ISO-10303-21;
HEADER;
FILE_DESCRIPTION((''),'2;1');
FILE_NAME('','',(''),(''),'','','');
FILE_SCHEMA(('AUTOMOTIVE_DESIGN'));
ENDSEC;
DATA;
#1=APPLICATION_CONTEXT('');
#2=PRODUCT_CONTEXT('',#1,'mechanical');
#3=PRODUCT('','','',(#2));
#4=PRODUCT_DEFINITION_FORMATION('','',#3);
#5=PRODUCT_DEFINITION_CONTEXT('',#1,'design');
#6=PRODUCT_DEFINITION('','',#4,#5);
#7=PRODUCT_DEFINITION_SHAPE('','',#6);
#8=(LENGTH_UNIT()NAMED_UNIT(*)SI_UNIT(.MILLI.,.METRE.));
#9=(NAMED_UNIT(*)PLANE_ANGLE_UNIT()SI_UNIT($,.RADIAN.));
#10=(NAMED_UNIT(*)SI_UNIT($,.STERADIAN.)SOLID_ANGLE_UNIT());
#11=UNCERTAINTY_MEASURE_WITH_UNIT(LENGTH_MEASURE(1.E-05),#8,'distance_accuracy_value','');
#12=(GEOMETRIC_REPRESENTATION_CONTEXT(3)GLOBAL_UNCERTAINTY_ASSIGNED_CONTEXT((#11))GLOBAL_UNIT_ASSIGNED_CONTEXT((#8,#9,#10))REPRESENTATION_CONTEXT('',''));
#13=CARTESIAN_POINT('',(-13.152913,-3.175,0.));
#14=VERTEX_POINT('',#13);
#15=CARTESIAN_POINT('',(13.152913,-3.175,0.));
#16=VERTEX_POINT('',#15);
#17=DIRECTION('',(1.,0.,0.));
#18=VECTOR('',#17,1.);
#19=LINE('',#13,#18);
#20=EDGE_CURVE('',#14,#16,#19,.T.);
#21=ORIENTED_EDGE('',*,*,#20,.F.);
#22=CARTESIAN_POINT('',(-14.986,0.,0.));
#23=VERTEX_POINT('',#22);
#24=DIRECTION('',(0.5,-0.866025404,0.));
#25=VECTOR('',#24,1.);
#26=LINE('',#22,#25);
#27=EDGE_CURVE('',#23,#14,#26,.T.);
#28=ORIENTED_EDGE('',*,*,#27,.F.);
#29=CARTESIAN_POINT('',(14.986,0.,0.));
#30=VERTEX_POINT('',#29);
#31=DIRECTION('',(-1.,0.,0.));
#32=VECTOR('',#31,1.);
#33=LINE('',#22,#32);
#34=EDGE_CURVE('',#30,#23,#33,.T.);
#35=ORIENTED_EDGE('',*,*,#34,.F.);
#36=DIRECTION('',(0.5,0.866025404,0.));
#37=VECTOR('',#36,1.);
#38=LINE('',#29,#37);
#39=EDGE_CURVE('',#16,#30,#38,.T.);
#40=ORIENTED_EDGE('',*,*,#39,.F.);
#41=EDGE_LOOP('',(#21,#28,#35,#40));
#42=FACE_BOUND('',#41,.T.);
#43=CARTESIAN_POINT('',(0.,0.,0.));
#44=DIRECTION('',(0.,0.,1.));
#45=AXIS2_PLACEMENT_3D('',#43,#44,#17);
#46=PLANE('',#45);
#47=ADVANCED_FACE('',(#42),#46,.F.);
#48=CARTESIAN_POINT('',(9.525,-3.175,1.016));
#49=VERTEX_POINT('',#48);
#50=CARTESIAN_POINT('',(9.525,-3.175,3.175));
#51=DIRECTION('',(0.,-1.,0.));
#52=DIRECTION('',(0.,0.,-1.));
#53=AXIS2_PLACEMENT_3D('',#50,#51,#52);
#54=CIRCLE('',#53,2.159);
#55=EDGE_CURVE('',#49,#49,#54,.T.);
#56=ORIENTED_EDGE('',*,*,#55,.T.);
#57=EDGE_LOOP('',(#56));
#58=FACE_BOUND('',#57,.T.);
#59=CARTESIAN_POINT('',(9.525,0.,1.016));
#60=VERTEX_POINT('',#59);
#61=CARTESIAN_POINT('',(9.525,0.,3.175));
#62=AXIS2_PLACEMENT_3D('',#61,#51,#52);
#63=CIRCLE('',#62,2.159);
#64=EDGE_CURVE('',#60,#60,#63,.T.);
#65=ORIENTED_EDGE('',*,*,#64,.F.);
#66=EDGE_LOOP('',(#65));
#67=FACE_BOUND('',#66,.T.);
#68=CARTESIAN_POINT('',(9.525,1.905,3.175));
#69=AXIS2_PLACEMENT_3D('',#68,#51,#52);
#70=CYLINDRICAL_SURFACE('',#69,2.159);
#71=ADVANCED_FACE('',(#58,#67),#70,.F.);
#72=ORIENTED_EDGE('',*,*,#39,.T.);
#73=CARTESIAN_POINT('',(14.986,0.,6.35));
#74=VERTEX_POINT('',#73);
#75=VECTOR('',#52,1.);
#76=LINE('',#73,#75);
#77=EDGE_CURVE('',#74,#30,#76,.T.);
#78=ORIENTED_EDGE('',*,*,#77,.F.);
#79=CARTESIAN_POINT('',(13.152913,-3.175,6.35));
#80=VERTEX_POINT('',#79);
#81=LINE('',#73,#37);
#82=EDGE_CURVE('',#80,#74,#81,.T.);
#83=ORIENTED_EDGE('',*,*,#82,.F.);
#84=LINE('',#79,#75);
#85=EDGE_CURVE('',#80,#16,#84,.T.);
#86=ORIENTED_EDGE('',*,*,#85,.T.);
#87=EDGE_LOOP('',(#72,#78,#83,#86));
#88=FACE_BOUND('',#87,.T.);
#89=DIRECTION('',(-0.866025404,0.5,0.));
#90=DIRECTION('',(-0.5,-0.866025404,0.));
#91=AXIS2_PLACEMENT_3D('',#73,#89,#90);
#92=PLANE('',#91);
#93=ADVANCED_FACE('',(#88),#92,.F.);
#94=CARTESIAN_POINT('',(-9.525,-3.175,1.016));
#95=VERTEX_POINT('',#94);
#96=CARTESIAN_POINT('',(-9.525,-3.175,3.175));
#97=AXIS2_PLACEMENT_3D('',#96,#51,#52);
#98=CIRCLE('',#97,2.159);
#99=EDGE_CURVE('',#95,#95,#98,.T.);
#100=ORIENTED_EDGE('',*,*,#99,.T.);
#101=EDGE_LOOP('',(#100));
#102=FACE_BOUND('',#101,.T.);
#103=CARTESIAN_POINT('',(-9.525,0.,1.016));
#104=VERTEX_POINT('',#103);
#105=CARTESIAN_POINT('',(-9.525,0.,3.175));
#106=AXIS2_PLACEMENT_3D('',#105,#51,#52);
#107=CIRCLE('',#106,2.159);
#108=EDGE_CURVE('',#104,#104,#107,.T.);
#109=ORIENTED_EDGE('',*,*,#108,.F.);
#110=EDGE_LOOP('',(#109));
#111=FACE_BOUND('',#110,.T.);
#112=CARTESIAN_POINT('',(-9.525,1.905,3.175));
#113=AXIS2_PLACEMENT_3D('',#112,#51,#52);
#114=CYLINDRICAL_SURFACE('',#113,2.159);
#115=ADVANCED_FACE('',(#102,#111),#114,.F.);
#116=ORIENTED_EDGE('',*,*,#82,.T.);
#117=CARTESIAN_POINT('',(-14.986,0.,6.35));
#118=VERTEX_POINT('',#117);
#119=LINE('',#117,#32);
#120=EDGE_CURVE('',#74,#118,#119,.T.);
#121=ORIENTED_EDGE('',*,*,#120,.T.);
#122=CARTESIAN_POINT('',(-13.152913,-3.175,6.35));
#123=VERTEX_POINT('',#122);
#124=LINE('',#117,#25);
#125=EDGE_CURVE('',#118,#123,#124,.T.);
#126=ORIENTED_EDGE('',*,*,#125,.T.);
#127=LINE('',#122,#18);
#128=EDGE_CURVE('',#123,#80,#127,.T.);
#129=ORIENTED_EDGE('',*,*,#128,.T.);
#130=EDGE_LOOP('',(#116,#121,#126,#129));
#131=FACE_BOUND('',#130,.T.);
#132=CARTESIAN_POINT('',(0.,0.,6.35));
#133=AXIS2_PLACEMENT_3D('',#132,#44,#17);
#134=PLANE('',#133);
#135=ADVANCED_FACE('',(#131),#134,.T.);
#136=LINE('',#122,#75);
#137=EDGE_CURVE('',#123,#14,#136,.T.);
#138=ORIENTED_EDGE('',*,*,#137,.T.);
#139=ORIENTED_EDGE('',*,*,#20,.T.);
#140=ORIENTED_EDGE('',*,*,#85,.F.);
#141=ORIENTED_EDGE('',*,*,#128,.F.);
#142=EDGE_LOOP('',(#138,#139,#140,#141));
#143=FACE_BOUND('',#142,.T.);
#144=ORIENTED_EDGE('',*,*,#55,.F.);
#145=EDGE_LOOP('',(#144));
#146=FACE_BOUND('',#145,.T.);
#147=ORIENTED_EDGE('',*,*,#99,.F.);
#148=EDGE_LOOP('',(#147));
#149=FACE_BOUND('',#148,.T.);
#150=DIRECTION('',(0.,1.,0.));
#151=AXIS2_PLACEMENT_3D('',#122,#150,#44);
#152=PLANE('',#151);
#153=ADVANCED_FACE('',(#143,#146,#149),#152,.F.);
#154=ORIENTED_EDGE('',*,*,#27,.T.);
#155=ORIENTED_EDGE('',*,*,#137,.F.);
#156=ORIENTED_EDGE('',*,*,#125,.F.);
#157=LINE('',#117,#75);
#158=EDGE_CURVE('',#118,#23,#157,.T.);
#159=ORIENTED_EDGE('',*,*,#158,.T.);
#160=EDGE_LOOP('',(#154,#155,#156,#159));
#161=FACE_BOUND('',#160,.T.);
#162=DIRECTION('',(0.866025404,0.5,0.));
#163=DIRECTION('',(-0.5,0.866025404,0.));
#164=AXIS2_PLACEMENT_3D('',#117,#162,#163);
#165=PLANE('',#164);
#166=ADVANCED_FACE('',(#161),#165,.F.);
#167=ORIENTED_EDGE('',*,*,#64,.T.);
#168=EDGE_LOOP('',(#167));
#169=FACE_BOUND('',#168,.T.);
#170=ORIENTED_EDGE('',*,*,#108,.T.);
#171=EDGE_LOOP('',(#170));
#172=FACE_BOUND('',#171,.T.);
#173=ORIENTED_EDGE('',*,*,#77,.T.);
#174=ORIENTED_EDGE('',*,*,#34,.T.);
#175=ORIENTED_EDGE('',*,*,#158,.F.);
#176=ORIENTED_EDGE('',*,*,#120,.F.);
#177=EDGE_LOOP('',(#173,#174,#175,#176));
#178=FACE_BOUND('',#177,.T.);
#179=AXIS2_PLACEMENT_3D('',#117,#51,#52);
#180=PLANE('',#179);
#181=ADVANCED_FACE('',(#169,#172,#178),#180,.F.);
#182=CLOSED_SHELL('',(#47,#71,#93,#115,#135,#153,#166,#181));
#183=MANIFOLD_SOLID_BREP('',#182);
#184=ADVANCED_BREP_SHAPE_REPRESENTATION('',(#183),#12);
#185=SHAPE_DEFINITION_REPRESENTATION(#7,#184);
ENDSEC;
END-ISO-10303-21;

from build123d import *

# Parameters (mm, degrees)
BOSS_EXTRUDE1_DEPTH = 6.35
SKETCH2_R           = 2.159
CUT_EXTRUDE1_DEPTH  = 5.08


with BuildPart() as part:
    # Sketch1 → Boss-Extrude1 (new body)
    with BuildSketch(Plane.XY):
        Polygon((-14.986, 0), (14.986, 0), (13.152912895, -3.175), (-13.152912895, -3.175), align=None)
    extrude(amount=BOSS_EXTRUDE1_DEPTH)

    # Sketch2 → Cut-Extrude1 (cut)
    with BuildSketch(Plane.XZ.offset(3.175)):
        with Locations(Location((-9.525, 3.175, 0), (0, 0, 270))):
            Circle(SKETCH2_R)
        with Locations(Location((9.525, 3.175, 0), (0, 0, 270))):
            Circle(SKETCH2_R)
    extrude(amount=-CUT_EXTRUDE1_DEPTH, mode=Mode.SUBTRACT)


solid = part.part
